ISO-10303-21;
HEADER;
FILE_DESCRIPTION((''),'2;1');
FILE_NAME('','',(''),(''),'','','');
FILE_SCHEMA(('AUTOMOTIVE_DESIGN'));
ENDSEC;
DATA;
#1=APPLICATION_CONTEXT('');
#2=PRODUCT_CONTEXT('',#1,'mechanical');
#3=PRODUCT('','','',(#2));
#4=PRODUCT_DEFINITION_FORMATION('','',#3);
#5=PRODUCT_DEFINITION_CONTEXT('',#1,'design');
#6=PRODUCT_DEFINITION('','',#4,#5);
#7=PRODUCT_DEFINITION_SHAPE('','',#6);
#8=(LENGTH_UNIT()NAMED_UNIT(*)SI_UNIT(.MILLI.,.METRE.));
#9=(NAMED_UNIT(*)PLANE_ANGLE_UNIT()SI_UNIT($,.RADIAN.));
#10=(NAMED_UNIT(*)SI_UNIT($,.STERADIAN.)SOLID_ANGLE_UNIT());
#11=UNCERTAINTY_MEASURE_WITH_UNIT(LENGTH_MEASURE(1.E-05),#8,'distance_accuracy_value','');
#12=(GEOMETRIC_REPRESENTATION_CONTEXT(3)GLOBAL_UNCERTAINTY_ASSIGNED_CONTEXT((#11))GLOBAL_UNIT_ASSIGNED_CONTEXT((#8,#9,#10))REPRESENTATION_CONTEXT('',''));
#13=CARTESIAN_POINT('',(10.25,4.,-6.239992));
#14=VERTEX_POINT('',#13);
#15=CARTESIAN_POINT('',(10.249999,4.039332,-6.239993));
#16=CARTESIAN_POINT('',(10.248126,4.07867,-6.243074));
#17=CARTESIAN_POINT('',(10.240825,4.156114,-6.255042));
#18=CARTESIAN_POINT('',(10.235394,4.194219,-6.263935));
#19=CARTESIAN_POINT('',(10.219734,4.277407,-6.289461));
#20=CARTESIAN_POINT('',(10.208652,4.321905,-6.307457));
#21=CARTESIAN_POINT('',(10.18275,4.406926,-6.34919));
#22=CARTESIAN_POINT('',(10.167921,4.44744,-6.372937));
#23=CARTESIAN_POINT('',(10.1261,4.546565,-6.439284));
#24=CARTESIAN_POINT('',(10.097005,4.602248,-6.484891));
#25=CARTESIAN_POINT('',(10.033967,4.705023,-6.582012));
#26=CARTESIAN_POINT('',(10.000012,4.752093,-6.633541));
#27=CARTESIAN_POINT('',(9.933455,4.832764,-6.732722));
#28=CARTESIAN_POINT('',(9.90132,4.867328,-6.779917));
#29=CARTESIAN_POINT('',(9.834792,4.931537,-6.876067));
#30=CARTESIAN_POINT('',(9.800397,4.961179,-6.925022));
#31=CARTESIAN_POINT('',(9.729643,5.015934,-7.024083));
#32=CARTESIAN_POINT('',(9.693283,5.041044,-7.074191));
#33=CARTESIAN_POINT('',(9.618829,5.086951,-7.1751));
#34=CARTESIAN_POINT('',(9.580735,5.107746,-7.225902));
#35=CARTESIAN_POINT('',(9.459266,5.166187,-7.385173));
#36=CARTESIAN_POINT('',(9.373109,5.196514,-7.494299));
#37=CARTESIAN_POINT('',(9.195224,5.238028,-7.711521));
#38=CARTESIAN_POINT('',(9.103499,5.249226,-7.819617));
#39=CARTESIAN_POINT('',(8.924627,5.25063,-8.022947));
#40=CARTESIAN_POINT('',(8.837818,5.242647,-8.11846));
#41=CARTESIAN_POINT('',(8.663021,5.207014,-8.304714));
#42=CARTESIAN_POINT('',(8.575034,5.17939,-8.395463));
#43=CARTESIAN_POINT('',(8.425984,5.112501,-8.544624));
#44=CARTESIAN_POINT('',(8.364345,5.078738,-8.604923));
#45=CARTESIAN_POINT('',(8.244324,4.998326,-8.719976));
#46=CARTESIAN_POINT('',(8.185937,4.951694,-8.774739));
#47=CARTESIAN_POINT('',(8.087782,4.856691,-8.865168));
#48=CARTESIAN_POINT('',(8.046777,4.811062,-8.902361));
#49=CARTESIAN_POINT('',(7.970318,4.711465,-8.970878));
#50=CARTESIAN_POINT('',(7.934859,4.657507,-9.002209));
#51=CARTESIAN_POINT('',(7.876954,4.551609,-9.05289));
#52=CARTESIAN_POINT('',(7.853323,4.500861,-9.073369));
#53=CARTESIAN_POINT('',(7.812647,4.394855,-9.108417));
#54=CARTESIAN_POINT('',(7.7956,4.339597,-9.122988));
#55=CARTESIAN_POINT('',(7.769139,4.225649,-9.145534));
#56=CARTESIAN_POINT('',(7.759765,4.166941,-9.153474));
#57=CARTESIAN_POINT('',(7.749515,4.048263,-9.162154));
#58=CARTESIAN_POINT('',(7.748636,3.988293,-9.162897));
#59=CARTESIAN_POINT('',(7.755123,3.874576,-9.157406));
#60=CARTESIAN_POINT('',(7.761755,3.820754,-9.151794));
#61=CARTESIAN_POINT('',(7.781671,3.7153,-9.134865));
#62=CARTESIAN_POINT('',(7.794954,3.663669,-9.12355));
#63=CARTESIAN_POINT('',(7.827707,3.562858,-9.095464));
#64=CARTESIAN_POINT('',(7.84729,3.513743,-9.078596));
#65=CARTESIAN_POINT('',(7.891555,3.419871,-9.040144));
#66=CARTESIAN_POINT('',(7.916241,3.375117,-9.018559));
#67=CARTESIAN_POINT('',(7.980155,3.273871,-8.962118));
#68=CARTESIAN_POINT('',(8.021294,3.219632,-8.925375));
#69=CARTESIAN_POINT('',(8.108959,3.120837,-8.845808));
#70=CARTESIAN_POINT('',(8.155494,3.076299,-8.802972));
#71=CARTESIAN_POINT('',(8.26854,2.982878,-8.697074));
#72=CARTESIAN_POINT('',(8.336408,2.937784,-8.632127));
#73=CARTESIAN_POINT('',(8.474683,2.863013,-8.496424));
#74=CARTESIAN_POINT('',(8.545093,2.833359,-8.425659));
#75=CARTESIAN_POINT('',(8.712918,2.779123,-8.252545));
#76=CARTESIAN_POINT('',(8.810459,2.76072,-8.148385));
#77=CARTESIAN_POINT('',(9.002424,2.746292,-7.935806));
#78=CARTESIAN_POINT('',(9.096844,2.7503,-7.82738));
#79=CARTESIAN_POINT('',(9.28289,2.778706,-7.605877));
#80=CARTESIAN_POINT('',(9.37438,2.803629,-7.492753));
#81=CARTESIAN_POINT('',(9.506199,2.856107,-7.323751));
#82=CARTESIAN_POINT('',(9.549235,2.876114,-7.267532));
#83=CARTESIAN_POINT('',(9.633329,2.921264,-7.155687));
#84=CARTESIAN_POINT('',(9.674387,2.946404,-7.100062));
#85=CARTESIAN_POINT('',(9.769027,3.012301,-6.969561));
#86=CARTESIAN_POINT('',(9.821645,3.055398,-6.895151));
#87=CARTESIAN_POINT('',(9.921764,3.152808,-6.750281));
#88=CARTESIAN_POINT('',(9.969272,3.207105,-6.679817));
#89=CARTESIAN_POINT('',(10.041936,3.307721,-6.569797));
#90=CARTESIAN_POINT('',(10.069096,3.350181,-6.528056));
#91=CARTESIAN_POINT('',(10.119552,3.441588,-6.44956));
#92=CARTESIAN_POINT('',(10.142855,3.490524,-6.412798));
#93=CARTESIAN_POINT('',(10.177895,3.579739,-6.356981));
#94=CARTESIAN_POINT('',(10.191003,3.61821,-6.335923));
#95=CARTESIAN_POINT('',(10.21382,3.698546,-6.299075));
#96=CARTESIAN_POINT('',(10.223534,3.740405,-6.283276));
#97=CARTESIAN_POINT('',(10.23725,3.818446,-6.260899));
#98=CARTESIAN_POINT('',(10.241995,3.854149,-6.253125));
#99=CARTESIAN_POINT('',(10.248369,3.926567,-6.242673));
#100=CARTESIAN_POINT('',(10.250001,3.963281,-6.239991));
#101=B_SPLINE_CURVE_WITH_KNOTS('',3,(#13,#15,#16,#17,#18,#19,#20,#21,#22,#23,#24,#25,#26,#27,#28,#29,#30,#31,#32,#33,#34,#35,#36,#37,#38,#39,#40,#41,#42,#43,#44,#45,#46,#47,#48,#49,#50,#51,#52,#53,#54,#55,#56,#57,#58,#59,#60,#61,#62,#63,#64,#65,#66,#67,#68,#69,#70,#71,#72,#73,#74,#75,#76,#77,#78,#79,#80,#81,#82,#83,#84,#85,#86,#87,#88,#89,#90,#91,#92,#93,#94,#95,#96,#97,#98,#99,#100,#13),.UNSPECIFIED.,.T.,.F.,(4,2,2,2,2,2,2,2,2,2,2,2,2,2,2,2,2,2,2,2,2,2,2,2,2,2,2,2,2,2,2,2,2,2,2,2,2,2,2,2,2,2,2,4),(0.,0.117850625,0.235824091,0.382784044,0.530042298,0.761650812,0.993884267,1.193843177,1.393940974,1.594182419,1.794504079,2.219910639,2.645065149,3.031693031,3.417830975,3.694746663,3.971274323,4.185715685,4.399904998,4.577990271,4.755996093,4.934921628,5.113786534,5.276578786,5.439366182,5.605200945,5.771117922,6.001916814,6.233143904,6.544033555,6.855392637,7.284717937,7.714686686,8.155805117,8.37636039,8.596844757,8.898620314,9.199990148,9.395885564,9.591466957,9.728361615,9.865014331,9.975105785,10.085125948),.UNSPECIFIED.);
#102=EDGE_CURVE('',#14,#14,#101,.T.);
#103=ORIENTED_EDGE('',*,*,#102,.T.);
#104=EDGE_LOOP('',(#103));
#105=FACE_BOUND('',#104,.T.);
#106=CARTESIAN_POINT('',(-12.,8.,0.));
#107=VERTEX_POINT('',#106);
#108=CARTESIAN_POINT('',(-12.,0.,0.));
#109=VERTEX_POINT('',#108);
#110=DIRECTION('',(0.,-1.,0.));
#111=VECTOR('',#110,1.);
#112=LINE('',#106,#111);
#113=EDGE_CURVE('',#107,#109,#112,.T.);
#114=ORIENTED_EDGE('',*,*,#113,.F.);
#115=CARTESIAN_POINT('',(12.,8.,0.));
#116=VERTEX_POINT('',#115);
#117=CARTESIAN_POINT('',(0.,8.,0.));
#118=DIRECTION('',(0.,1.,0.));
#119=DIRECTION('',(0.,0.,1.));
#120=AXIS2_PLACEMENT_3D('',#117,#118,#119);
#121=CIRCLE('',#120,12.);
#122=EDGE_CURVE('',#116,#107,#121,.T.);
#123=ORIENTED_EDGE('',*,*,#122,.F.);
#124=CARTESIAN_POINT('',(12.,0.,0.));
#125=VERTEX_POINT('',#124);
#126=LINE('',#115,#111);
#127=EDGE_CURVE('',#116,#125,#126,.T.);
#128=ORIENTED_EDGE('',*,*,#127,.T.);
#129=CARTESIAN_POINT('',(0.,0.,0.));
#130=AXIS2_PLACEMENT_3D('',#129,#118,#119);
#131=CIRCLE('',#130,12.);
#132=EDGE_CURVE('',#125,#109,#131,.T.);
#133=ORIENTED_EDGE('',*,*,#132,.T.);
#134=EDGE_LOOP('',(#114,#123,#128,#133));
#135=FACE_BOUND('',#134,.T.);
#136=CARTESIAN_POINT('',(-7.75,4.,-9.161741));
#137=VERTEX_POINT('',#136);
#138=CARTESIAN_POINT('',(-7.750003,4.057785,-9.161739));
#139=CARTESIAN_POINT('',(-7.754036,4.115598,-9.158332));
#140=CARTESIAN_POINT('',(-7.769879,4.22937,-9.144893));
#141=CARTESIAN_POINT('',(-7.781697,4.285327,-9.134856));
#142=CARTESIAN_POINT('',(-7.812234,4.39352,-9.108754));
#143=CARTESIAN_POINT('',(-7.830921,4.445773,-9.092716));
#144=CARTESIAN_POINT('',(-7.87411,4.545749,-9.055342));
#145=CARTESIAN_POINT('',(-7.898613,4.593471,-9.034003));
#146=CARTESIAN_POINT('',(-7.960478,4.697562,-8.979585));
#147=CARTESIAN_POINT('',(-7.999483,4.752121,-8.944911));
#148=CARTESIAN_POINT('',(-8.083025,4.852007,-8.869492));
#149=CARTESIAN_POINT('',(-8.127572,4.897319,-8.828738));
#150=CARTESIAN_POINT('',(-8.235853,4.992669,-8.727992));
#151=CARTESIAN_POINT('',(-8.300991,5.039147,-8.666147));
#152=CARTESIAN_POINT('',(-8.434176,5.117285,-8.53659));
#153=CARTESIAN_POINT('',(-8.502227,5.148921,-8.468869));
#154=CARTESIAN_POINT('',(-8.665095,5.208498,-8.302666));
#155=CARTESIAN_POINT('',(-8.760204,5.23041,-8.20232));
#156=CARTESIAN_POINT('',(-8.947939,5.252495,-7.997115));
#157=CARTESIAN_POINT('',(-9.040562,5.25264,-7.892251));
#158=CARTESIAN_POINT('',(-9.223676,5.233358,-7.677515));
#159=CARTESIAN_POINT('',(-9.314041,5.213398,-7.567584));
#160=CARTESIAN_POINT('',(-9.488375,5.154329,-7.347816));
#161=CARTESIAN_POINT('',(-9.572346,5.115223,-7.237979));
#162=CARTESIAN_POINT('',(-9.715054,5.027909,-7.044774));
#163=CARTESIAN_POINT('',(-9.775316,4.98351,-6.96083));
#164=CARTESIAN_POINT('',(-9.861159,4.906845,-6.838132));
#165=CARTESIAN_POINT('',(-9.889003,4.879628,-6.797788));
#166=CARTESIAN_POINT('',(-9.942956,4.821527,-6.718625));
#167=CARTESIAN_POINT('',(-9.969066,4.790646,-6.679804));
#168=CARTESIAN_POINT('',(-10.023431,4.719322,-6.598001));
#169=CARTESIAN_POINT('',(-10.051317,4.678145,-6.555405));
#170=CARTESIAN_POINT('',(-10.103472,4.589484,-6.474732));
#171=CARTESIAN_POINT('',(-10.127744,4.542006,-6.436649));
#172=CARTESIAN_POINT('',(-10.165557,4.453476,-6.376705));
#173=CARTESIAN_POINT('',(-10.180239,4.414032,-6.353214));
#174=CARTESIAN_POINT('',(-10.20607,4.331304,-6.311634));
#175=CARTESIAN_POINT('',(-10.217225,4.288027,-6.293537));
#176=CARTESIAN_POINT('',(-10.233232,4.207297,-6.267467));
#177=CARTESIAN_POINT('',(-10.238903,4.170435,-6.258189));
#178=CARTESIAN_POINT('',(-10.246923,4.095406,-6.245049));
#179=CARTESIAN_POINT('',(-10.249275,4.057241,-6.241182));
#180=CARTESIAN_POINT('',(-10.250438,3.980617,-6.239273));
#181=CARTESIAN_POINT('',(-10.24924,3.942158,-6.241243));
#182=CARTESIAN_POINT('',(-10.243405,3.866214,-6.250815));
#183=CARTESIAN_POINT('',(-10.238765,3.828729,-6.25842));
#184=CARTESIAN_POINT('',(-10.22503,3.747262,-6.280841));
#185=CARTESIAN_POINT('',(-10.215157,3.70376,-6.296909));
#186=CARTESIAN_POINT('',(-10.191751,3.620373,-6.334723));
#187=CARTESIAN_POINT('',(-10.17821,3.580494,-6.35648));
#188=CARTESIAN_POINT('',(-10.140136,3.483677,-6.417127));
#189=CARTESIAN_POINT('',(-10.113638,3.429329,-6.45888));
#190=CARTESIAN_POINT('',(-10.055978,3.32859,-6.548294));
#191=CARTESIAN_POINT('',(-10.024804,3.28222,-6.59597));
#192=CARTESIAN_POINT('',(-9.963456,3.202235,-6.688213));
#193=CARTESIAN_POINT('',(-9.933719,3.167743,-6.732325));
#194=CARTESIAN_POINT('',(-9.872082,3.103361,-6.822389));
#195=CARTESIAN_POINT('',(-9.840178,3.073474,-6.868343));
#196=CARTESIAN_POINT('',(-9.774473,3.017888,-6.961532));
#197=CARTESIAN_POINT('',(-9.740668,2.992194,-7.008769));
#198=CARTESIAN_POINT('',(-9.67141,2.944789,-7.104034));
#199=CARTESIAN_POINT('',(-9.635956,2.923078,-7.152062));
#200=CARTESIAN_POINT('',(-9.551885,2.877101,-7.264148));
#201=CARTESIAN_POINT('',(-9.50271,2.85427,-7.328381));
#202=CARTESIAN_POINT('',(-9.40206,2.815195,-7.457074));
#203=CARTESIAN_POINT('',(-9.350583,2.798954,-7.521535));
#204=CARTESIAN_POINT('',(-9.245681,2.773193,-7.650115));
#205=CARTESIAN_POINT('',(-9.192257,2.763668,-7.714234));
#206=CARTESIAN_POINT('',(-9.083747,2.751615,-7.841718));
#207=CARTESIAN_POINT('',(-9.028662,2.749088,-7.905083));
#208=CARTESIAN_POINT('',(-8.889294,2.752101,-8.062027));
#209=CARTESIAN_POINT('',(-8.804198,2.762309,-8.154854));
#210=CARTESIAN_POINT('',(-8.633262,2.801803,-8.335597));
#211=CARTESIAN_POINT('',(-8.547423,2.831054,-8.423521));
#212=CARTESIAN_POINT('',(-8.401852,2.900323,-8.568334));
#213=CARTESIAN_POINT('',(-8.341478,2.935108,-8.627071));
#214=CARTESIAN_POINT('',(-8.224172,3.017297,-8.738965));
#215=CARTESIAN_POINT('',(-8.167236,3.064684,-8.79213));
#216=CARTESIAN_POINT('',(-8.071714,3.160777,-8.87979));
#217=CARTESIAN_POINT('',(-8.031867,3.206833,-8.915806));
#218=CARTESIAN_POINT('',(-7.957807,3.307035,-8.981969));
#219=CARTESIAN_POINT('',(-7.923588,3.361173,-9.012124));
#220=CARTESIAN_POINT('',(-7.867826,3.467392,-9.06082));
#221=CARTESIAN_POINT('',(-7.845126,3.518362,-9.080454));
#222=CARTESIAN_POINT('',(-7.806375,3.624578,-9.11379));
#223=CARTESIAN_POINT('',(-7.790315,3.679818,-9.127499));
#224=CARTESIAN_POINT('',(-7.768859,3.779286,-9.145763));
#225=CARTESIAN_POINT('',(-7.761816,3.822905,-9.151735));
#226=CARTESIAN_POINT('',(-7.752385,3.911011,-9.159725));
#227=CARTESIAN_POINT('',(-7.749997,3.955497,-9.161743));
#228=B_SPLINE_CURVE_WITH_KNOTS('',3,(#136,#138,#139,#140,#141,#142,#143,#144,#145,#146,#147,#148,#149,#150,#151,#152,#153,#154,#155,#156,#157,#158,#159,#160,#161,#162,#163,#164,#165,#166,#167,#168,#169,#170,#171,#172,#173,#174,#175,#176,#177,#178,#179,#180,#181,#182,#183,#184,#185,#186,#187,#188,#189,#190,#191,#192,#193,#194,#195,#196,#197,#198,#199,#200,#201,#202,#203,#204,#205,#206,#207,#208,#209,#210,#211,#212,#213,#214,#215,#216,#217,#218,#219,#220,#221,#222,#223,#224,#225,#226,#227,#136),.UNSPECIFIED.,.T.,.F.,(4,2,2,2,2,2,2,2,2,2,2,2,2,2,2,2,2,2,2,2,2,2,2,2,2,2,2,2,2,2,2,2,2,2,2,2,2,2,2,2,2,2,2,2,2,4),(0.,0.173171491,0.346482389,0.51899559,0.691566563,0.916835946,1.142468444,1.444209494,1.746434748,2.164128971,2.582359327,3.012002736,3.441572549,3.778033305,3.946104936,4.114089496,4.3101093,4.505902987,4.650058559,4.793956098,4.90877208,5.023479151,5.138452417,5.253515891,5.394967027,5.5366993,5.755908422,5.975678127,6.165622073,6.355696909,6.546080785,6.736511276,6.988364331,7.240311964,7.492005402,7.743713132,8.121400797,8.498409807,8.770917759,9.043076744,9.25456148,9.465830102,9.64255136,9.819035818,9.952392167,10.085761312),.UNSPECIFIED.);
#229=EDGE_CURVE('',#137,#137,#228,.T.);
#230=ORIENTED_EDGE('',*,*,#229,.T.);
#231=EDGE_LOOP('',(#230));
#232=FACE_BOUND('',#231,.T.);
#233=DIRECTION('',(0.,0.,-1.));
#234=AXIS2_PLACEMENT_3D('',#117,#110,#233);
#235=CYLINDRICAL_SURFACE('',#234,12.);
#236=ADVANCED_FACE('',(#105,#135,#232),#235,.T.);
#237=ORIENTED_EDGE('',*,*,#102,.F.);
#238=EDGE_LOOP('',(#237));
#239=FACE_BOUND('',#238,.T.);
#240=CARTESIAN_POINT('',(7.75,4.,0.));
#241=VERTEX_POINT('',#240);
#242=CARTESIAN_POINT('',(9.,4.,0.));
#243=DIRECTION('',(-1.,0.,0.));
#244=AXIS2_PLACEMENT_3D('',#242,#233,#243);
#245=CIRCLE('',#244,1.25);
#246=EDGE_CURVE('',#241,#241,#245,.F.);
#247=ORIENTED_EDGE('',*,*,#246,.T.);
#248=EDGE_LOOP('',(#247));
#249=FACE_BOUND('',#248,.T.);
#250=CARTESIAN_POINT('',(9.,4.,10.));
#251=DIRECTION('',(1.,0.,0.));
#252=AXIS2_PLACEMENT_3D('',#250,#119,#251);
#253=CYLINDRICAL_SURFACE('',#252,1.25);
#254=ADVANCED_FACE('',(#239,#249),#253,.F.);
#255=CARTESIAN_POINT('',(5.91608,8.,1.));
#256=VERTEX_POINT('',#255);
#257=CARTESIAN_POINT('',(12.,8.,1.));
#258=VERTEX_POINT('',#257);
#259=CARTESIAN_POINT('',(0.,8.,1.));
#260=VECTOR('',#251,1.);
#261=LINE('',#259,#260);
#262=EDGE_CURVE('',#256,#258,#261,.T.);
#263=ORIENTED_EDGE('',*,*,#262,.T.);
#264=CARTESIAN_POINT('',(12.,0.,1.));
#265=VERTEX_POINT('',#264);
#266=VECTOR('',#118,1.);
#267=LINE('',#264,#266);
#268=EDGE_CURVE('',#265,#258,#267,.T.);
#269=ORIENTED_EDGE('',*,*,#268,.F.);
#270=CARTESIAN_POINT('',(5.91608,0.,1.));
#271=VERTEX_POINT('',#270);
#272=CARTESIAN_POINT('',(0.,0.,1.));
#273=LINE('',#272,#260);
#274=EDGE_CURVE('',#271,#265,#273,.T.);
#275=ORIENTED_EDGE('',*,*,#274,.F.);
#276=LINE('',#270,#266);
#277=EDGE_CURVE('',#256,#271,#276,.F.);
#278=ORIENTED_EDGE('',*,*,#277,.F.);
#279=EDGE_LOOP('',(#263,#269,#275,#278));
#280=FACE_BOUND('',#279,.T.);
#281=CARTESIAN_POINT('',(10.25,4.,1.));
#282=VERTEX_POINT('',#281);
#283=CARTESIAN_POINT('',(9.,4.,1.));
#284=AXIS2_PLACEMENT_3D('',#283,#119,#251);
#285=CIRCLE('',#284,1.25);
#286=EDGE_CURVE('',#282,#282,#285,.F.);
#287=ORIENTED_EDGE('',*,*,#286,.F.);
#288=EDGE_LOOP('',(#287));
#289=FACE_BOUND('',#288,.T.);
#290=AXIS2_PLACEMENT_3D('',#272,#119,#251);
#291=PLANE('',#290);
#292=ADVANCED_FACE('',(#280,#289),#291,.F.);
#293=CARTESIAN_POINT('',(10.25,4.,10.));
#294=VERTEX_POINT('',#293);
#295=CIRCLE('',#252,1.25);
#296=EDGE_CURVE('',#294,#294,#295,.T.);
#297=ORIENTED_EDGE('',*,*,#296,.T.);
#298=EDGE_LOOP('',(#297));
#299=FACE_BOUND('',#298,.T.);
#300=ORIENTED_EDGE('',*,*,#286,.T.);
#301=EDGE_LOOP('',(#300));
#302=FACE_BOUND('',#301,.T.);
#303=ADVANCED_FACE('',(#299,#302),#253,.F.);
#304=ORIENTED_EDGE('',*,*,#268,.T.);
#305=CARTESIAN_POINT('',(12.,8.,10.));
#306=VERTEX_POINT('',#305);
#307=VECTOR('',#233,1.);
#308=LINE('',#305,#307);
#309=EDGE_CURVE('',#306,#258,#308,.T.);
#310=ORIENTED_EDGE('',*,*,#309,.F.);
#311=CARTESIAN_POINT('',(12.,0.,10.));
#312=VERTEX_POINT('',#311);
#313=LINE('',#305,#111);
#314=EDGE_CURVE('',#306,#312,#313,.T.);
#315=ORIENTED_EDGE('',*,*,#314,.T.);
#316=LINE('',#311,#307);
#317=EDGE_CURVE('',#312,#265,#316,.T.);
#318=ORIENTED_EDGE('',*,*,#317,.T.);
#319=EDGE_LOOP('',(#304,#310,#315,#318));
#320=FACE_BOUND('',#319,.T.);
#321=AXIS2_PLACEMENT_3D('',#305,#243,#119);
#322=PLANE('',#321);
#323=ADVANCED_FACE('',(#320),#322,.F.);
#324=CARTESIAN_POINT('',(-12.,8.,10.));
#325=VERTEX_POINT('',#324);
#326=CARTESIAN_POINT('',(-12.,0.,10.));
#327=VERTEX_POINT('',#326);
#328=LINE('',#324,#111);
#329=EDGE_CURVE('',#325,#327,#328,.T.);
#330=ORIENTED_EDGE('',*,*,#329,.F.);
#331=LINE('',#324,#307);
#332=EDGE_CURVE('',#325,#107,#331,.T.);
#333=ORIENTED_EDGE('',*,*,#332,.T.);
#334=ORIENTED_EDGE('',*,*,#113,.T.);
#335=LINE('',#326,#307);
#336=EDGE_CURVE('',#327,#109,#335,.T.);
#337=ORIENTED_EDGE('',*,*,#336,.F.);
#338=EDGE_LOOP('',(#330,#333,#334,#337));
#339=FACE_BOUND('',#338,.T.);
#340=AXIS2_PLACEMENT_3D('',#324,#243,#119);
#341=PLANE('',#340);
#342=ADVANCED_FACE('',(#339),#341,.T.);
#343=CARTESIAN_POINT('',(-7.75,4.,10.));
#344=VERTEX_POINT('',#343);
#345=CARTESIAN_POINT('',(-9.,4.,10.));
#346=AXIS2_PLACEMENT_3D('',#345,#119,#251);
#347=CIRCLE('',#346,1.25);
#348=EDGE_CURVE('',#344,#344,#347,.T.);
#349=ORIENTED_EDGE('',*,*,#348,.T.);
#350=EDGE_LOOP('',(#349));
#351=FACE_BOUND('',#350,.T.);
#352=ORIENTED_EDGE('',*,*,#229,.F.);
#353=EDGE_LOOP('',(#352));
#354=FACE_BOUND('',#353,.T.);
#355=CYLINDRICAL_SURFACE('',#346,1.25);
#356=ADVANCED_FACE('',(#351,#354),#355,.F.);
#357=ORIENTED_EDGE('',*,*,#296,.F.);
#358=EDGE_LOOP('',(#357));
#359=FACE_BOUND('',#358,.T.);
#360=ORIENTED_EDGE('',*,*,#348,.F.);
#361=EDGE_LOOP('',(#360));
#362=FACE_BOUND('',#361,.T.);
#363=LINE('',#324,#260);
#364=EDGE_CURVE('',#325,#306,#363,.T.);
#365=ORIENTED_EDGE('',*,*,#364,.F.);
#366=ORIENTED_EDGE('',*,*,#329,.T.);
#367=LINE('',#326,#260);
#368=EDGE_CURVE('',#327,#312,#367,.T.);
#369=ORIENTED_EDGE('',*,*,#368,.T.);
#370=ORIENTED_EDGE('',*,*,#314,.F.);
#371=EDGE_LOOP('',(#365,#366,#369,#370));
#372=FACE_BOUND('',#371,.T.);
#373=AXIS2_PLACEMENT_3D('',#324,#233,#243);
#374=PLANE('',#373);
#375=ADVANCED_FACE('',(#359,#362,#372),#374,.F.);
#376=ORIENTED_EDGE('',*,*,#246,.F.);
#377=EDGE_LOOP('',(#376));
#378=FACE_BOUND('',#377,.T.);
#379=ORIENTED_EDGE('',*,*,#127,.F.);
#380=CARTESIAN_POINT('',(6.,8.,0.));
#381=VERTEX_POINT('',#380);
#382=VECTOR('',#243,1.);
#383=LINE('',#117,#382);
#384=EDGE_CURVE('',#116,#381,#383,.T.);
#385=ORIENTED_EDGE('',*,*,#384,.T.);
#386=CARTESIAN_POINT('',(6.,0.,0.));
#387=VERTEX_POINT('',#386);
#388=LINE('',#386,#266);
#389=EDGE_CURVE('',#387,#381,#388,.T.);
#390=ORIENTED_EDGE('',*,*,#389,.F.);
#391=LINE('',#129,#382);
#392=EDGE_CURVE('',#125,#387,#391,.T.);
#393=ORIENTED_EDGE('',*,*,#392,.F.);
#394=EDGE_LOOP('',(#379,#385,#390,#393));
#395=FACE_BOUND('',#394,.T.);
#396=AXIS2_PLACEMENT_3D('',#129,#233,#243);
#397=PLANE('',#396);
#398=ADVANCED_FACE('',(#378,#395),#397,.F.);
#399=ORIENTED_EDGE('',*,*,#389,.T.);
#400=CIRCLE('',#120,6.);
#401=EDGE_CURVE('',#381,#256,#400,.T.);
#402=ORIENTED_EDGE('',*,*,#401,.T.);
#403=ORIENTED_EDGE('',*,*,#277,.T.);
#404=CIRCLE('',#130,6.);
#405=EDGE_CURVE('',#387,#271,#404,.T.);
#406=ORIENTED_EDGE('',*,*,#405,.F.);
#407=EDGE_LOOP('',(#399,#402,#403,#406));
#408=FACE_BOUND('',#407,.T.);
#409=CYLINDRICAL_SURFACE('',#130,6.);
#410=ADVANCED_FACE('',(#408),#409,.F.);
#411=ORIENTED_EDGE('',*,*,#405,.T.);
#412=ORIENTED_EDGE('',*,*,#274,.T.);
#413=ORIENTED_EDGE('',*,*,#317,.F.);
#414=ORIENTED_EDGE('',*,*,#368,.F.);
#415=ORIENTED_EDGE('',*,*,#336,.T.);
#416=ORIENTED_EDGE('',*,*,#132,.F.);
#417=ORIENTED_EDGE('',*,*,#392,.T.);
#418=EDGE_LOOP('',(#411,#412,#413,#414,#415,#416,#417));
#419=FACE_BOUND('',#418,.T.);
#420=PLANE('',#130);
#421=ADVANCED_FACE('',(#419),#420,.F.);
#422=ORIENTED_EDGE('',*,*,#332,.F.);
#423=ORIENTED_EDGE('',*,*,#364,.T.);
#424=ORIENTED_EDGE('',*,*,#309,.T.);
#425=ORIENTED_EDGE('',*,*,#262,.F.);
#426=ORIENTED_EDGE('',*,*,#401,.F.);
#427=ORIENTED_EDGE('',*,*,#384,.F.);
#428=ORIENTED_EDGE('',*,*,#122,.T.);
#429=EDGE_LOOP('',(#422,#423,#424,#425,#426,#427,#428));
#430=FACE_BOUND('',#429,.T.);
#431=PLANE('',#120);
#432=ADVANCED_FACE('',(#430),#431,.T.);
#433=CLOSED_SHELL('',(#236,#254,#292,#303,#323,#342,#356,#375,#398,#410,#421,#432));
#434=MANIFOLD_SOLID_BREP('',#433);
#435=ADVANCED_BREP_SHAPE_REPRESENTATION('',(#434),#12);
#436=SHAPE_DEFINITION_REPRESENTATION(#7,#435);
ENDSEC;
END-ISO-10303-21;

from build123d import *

# Parameters (mm, degrees)
BOSS_EXTRUDE1_DEPTH         = 8
SKETCH2_R                   = 6
CUT_EXTRUDE1_DEPTH          = 19.761663039
TAP_DRILL_FOR_M3X0_5_TAP1_D = 2.5
SKETCH6_W                   = 12
SKETCH6_H                   = 1
CUT_EXTRUDE2_DEPTH          = 8


with BuildPart() as part:
    # Sketch1 → Boss-Extrude1 (new body)
    with BuildSketch(Plane(origin=(0, 0, 0), x_dir=(1, 0, 0), z_dir=(0, 1, 0))):
        with BuildLine():
            Line((-12, -10), (12, -10))
            Line((12, -10), (12, 0))
            ThreePointArc((12, 0), (0, 12), (-12, 0))
            Line((-12, 0), (-12, -10))
        make_face()
    extrude(amount=BOSS_EXTRUDE1_DEPTH)

    # Sketch2 → Cut-Extrude1 (cut, through all)
    with BuildSketch(Plane(origin=(0, 8, 0), x_dir=(1, 0, 0), z_dir=(0, 1, 0))):
        with Locations(Location((0, 0, 0), (0, 0, 270))):
            Circle(SKETCH2_R)
    extrude(amount=-CUT_EXTRUDE1_DEPTH, mode=Mode.SUBTRACT)

    # Tap Drill for M3x0.5 Tap1 (through all)
    with Locations(Plane.XY.offset(10)):
        with Locations((-9, 4), (9, 4)):
            Hole(TAP_DRILL_FOR_M3X0_5_TAP1_D / 2)

    # Sketch6 → Cut-Extrude2 (cut)
    with BuildSketch(Plane(origin=(0, 8, 0), x_dir=(1, 0, 0), z_dir=(0, 1, 0))):
        with Locations((6, -0.5)):
            Rectangle(SKETCH6_W, SKETCH6_H)
    extrude(amount=-CUT_EXTRUDE2_DEPTH, mode=Mode.SUBTRACT)


solid = part.part
